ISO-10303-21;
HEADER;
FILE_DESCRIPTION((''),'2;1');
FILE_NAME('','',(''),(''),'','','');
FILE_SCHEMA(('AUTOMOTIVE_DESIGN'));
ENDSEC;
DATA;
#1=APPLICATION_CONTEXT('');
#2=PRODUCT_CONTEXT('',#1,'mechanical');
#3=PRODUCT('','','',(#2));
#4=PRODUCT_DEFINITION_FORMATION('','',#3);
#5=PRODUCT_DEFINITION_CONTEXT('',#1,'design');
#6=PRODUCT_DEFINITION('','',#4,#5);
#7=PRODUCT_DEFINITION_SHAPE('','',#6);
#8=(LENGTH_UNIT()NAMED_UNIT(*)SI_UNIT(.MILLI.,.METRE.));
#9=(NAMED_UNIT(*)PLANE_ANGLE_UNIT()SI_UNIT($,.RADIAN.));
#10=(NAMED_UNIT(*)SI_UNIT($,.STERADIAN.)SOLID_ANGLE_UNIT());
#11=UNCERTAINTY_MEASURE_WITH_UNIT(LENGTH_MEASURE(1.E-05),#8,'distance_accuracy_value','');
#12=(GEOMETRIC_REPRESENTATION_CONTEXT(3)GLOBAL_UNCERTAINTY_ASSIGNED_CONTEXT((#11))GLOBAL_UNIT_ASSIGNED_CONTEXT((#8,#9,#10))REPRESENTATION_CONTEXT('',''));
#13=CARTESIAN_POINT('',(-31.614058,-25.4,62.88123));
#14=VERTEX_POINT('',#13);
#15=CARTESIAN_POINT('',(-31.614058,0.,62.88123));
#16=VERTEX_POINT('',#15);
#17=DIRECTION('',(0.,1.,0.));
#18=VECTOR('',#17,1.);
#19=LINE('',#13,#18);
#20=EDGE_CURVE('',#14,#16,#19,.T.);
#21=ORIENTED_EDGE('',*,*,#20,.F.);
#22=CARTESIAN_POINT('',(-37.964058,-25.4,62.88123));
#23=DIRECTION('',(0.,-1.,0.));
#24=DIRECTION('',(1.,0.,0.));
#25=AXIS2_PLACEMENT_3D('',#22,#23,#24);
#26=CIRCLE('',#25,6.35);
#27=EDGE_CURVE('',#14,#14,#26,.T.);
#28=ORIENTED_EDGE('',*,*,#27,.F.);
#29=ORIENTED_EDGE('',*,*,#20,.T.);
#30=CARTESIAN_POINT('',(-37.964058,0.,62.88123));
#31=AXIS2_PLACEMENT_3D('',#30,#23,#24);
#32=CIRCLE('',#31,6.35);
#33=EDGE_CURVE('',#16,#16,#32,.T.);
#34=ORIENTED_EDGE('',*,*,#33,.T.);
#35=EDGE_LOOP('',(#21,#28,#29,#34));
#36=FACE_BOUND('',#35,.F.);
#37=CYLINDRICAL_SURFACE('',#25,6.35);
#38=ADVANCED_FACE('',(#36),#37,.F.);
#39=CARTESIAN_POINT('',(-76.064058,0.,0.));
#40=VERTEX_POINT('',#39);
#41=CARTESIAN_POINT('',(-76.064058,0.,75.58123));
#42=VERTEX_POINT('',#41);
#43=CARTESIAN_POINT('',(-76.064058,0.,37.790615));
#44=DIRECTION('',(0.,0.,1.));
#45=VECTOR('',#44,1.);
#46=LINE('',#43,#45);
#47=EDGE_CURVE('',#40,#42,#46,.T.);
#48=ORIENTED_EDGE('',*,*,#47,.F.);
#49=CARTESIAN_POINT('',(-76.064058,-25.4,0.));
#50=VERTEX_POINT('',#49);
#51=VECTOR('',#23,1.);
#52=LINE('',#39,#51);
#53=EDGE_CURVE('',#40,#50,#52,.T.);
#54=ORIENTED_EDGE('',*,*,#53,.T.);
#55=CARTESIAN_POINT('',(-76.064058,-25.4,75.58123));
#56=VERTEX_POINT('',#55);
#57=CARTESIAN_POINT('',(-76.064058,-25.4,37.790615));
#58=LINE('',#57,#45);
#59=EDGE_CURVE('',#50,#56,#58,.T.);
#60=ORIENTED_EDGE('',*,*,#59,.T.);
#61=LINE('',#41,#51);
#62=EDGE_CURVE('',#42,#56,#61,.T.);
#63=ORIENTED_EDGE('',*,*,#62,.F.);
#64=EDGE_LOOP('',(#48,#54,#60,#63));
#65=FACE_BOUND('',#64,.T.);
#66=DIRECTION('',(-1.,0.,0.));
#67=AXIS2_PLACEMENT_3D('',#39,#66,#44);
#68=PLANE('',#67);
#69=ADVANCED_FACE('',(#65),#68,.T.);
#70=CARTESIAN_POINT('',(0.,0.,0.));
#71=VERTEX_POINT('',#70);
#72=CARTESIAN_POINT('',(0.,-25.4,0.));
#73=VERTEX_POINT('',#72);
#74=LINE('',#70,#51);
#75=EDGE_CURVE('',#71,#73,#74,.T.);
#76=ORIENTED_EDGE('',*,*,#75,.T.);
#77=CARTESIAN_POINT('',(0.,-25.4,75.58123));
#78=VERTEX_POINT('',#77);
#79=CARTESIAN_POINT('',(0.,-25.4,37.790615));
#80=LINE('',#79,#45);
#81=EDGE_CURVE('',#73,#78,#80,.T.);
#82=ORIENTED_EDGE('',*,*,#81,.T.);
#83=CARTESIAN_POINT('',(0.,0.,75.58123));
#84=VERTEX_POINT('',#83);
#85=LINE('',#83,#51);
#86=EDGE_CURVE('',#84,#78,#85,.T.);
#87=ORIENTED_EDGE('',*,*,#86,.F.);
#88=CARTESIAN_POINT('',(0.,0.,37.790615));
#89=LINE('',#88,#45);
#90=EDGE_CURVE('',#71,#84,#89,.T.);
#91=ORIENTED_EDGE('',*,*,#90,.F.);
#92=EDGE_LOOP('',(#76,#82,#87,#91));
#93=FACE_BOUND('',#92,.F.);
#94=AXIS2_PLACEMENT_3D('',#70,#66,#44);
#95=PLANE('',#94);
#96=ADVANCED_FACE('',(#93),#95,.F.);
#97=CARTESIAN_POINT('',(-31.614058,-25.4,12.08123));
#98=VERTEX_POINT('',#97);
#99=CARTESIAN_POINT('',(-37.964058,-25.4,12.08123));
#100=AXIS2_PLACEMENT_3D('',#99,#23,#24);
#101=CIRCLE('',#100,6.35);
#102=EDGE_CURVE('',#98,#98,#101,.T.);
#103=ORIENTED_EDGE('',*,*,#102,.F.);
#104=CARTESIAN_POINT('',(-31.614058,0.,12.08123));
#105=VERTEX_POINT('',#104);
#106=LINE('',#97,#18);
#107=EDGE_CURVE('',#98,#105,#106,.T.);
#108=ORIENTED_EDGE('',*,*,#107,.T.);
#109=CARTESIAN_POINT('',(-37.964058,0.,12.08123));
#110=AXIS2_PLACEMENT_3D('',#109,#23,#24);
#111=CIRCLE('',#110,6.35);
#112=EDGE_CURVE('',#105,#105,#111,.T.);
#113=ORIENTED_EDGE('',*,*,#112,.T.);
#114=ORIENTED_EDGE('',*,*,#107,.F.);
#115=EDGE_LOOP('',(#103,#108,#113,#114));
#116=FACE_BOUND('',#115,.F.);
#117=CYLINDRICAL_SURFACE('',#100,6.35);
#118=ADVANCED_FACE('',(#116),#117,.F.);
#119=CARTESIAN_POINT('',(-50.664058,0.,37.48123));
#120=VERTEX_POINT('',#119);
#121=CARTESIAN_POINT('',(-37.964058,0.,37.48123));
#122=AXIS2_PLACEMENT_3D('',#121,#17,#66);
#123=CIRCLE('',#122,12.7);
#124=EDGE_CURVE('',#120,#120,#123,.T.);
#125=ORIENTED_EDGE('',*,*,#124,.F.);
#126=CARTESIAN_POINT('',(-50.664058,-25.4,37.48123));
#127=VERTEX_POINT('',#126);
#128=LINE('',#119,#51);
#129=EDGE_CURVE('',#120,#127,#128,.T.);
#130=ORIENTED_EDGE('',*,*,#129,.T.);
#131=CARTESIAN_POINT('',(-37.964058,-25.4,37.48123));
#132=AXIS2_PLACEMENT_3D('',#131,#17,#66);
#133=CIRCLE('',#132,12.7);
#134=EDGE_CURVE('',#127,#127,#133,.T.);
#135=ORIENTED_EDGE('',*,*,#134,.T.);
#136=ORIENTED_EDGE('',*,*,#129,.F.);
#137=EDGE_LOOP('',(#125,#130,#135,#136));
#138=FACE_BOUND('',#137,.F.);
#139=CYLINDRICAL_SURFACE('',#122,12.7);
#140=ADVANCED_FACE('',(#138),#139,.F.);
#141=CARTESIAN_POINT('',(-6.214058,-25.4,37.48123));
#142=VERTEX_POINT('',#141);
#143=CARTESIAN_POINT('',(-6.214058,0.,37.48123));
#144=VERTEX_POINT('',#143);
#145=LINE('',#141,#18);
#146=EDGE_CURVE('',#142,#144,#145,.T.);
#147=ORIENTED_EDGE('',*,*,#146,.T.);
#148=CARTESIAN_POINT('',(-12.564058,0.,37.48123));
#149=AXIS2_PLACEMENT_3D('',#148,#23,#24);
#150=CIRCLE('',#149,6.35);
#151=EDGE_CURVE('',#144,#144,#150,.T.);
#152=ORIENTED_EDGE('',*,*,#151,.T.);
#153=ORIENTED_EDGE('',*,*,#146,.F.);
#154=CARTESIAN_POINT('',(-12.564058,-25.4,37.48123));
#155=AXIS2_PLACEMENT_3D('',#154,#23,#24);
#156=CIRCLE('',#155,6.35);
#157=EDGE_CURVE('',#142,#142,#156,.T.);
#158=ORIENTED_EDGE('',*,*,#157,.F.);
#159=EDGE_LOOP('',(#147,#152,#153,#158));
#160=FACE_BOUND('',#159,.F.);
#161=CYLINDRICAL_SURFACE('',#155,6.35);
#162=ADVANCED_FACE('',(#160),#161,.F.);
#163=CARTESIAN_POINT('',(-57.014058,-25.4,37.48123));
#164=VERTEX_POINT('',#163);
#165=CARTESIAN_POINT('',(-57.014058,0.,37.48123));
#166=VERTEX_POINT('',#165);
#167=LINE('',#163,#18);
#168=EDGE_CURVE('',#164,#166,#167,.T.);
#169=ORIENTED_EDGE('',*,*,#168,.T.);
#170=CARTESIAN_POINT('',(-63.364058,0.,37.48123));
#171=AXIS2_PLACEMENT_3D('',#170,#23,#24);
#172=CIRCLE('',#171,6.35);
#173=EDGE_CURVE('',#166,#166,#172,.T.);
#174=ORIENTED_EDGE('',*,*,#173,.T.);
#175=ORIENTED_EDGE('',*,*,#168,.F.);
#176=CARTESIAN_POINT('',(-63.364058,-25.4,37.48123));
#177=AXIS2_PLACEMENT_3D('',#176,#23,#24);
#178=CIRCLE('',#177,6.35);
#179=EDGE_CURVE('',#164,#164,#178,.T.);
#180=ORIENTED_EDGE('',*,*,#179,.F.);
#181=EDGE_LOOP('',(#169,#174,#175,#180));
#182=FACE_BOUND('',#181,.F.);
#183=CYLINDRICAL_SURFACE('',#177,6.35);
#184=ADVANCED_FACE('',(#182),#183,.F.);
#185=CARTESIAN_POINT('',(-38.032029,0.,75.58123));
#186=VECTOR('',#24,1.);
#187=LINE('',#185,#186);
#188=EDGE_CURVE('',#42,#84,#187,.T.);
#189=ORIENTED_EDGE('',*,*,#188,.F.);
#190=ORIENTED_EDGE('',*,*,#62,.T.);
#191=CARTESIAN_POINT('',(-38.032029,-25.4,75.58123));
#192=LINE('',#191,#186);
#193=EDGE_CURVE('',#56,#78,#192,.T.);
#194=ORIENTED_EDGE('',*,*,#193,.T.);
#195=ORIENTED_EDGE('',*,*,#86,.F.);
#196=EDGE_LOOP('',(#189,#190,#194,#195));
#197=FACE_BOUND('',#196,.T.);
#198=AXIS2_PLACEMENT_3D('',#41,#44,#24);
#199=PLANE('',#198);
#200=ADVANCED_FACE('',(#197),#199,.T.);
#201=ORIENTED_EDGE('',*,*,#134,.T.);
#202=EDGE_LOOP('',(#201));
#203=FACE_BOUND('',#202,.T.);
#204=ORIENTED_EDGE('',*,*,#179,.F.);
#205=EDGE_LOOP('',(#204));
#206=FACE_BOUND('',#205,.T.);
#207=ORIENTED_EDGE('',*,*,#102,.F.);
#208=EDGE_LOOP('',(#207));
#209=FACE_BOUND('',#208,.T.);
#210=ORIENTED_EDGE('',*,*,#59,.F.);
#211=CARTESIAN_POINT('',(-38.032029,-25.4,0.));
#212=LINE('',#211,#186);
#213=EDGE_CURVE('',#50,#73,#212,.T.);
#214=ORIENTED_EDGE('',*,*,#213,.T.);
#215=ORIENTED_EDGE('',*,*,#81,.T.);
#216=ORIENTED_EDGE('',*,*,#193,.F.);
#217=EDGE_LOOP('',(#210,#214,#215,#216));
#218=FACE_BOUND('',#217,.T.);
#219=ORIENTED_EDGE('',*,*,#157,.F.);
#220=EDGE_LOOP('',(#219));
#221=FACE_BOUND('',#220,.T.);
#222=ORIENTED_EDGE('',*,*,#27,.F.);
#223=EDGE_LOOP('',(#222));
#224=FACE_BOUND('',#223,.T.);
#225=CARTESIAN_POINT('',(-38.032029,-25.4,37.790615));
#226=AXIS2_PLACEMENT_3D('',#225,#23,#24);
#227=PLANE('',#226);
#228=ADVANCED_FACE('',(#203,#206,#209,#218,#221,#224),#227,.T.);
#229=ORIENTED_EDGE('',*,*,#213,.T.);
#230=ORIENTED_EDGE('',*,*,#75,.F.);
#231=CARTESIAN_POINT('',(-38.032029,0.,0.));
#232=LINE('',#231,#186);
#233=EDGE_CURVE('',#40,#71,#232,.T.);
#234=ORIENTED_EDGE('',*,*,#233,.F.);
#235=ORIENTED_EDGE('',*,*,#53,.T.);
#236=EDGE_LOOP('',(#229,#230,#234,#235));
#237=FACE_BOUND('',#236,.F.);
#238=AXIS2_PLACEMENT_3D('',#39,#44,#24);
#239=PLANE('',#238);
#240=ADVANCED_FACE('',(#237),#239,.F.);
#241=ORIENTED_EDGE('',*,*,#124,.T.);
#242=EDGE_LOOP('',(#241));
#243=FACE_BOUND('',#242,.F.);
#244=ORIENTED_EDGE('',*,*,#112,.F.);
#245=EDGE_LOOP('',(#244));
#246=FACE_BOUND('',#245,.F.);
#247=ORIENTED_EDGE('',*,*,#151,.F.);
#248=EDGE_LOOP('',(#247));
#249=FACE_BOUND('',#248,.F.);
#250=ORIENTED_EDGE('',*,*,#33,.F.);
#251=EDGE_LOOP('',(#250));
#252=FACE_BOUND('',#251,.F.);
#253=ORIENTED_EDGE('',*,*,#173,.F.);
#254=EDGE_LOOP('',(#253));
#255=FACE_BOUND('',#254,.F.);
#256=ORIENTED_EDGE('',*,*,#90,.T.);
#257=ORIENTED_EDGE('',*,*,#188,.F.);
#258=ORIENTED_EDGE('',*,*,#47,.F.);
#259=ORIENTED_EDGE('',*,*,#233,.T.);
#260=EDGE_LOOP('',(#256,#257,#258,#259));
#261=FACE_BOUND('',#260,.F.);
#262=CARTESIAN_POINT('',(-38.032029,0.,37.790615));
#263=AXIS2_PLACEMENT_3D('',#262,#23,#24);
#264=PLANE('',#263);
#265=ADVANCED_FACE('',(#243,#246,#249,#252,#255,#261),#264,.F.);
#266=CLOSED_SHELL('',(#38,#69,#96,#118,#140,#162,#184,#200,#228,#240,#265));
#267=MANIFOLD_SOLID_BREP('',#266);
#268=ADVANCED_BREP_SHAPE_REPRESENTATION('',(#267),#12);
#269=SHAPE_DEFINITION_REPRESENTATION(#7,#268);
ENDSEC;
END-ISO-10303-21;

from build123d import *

# Parameters (mm, degrees)
F0_W     = 76.064058
F0_H     = 75.58123
F1_DEPTH = 25.4
F2_R     = 12.7
F3_DEPTH = 25.401
F4_R     = 6.35
F5_DEPTH = 25.401


with BuildPart() as f1:
    # F0 (on Front) → F1 (new body)
    with BuildSketch(Plane.XZ):
        with Locations((-38.032029, 37.790615)):
            Rectangle(F0_W, F0_H)
    extrude(amount=F1_DEPTH)

    # F2 (on face) → F3 (cut, through all)
    with BuildSketch(Plane(origin=(0, 0, 0), x_dir=(-1, 0, 0), z_dir=(0, 1, 0))):
        with Locations((37.964058, 37.48123)):
            Circle(F2_R)
    extrude(amount=-F3_DEPTH, mode=Mode.SUBTRACT)

    # F4 (on face) → F5 (cut, through all)
    with BuildSketch(Plane.XZ.offset(25.4)):
        with Locations((-37.964058, 62.88123)):
            Circle(F4_R)
        with Locations((-63.364058, 37.48123)):
            Circle(F4_R)
        with Locations((-37.964058, 12.08123)):
            Circle(F4_R)
        with Locations((-12.564058, 37.48123)):
            Circle(F4_R)
    extrude(amount=-F5_DEPTH, mode=Mode.SUBTRACT)


solid = f1.part
